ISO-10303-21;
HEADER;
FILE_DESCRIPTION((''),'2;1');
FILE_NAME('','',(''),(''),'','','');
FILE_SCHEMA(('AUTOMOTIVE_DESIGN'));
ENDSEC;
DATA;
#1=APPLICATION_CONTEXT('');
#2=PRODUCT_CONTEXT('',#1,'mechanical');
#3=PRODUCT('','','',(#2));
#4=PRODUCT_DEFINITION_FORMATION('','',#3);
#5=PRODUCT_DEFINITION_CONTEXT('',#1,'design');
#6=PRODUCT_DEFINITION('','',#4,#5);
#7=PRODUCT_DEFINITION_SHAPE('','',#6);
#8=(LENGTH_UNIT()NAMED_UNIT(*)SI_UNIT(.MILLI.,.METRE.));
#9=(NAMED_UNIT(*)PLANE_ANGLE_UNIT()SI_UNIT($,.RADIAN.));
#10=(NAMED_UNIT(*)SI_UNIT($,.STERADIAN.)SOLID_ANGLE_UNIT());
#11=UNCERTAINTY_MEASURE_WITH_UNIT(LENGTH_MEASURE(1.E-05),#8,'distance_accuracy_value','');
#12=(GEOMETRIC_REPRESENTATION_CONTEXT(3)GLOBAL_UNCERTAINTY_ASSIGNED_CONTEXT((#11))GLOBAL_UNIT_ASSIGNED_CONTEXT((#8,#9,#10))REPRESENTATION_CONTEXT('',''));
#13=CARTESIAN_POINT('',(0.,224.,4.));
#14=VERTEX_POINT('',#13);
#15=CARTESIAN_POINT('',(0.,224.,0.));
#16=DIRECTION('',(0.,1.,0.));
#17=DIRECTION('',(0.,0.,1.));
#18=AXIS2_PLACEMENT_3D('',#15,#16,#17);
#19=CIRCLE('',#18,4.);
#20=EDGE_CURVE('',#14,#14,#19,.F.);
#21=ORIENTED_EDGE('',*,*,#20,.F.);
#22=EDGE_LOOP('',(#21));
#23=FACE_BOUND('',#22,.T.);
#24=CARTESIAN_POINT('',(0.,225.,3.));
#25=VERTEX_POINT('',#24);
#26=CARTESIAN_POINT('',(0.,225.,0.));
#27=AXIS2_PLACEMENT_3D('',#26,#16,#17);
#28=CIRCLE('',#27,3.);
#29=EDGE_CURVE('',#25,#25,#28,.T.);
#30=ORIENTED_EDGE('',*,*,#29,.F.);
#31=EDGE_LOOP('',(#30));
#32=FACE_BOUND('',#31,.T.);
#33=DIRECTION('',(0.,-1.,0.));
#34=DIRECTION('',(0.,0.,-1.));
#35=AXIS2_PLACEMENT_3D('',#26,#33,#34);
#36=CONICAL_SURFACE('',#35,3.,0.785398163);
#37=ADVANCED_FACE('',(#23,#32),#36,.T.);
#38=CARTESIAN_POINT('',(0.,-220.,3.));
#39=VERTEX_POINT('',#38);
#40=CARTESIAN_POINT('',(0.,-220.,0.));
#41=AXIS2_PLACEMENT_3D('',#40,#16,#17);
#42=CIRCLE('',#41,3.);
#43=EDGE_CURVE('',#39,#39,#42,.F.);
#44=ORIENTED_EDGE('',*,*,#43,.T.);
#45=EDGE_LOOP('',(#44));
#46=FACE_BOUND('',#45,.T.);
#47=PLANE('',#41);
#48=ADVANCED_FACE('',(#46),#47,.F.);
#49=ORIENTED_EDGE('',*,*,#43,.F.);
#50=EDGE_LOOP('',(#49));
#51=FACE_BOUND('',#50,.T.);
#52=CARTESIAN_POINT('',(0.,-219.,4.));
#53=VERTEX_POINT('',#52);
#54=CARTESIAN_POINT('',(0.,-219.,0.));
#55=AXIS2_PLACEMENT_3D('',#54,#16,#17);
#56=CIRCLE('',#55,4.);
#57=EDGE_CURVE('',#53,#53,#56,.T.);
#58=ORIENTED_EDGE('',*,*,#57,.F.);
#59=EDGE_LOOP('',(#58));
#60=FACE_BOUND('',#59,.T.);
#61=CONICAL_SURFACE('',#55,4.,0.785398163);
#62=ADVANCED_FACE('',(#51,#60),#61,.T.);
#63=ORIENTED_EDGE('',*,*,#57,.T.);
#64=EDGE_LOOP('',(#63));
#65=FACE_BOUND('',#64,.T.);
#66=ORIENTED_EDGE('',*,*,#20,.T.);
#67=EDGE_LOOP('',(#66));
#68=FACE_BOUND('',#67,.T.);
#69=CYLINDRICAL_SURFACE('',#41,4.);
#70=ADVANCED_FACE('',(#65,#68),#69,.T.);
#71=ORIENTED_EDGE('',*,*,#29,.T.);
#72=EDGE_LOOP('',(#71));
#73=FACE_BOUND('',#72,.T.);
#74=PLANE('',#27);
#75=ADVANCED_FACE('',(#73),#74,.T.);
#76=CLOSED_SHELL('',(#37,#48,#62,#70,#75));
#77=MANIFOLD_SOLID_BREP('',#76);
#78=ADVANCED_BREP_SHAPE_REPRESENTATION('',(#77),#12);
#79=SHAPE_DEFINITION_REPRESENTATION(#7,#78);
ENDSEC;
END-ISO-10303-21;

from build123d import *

# Parameters (mm, degrees)
BOSS_EXTRUDE1_DEPTH      = 225
BOSS_EXTRUDE1_DEPTH_BACK = 220
SKETCH1_R                = 4
CHAMFER1_SIZE            = 1


with BuildPart() as part:
    # Sketch1 → Boss-Extrude1 (new, two sides: drawn at the far end of the back side and taken through both)
    with BuildSketch(Plane(origin=(0, 0, 0), x_dir=(1, 0, 0), z_dir=(0, 1, 0)).offset(-BOSS_EXTRUDE1_DEPTH_BACK)):
        with Locations(Location((0, 0, 0), (0, 0, 270))):
            Circle(SKETCH1_R)
    extrude(amount=BOSS_EXTRUDE1_DEPTH + BOSS_EXTRUDE1_DEPTH_BACK)

    # Chamfer1
    chamfer1_edges = [part.edges().sort_by_distance(p)[0] for p in [
        (0, -220, -4),
        (0, 225, -4),
    ]]
    chamfer(chamfer1_edges, length=CHAMFER1_SIZE)


solid = part.part
